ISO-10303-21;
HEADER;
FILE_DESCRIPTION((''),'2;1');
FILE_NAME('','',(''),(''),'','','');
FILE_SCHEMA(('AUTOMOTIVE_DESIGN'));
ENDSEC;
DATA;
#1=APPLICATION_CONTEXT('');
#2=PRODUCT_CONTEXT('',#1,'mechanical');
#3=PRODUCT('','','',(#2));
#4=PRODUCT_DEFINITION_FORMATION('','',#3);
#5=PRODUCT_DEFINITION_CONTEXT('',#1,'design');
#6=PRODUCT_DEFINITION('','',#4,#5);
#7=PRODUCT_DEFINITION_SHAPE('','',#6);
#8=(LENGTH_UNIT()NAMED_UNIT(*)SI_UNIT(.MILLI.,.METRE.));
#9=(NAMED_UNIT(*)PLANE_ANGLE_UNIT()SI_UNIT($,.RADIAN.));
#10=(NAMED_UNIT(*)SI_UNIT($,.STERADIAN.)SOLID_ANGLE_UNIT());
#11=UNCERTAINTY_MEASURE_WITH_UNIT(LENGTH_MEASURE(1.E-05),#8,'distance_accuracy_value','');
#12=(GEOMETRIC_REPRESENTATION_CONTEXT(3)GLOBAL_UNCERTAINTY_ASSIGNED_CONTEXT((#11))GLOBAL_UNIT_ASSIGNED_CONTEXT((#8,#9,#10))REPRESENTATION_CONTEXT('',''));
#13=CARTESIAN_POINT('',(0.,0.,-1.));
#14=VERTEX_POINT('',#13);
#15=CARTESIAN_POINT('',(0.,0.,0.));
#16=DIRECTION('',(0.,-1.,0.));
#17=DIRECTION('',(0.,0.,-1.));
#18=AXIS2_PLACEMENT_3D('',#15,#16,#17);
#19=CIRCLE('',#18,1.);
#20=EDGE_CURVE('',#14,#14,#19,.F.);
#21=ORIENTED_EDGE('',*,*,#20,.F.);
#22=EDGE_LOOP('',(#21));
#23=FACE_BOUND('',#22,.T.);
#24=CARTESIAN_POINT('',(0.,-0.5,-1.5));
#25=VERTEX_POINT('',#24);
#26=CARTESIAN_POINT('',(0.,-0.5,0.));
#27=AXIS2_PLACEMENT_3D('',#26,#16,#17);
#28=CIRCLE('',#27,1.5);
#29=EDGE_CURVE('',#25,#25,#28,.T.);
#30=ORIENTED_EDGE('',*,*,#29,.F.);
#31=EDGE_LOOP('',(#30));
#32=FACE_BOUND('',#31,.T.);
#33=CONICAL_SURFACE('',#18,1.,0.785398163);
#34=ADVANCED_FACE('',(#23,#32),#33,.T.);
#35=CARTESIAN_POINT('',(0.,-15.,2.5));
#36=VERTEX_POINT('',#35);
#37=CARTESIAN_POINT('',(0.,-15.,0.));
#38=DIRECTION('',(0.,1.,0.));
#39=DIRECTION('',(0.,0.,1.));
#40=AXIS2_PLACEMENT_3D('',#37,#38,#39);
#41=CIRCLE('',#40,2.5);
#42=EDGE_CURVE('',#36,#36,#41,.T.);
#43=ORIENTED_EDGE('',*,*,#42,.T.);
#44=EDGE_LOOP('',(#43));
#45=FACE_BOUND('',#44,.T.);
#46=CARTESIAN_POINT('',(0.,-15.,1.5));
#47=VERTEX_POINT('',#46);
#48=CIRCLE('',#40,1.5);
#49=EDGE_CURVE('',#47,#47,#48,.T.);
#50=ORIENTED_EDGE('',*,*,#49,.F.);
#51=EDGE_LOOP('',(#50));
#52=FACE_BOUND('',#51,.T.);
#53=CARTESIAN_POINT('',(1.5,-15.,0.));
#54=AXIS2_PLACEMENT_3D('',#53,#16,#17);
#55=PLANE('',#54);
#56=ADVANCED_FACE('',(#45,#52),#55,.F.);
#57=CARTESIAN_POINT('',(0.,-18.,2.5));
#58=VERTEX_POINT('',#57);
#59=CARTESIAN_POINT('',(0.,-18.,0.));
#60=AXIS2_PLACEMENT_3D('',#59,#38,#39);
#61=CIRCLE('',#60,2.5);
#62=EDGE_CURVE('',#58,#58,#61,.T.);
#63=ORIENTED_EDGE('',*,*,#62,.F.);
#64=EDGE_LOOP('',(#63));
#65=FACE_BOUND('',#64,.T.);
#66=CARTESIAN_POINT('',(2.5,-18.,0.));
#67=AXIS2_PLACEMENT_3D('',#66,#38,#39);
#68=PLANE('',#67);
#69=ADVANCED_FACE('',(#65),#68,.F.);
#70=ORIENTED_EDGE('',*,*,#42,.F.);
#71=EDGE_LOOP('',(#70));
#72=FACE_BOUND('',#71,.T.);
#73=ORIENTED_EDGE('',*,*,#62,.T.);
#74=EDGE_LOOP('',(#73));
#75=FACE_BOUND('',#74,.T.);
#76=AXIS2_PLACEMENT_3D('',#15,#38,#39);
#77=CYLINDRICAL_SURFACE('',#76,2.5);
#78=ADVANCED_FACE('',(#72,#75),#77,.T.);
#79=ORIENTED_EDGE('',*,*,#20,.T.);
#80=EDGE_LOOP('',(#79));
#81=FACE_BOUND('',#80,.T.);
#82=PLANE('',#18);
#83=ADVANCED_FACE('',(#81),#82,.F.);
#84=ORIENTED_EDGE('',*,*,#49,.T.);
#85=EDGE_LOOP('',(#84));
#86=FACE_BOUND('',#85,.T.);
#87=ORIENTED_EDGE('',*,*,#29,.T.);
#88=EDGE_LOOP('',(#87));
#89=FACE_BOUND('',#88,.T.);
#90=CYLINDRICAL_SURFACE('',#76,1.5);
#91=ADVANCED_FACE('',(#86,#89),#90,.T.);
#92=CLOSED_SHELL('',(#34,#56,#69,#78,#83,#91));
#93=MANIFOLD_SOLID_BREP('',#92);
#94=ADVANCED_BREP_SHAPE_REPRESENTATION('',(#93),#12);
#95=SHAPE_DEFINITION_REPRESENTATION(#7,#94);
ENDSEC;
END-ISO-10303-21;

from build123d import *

# Parameters (mm, degrees)
CHANFREIN1_SIZE = 0.5


with BuildPart() as part:
    # Esquisse1 → Révolution1 (revolve)
    with BuildSketch(Plane.XY):
        Polygon((0, 0), (1.5, 0), (1.5, -15), (2.5, -15), (2.5, -18), (0, -18), align=None)
    revolve(axis=Axis((0, 0, 0), (0, -1, 0)))

    # Chanfrein1
    chanfrein1_edges = [part.edges().sort_by_distance(p)[0] for p in [
        (-1.5, 0, 0),
    ]]
    chamfer(chanfrein1_edges, length=CHANFREIN1_SIZE)


solid = part.part
